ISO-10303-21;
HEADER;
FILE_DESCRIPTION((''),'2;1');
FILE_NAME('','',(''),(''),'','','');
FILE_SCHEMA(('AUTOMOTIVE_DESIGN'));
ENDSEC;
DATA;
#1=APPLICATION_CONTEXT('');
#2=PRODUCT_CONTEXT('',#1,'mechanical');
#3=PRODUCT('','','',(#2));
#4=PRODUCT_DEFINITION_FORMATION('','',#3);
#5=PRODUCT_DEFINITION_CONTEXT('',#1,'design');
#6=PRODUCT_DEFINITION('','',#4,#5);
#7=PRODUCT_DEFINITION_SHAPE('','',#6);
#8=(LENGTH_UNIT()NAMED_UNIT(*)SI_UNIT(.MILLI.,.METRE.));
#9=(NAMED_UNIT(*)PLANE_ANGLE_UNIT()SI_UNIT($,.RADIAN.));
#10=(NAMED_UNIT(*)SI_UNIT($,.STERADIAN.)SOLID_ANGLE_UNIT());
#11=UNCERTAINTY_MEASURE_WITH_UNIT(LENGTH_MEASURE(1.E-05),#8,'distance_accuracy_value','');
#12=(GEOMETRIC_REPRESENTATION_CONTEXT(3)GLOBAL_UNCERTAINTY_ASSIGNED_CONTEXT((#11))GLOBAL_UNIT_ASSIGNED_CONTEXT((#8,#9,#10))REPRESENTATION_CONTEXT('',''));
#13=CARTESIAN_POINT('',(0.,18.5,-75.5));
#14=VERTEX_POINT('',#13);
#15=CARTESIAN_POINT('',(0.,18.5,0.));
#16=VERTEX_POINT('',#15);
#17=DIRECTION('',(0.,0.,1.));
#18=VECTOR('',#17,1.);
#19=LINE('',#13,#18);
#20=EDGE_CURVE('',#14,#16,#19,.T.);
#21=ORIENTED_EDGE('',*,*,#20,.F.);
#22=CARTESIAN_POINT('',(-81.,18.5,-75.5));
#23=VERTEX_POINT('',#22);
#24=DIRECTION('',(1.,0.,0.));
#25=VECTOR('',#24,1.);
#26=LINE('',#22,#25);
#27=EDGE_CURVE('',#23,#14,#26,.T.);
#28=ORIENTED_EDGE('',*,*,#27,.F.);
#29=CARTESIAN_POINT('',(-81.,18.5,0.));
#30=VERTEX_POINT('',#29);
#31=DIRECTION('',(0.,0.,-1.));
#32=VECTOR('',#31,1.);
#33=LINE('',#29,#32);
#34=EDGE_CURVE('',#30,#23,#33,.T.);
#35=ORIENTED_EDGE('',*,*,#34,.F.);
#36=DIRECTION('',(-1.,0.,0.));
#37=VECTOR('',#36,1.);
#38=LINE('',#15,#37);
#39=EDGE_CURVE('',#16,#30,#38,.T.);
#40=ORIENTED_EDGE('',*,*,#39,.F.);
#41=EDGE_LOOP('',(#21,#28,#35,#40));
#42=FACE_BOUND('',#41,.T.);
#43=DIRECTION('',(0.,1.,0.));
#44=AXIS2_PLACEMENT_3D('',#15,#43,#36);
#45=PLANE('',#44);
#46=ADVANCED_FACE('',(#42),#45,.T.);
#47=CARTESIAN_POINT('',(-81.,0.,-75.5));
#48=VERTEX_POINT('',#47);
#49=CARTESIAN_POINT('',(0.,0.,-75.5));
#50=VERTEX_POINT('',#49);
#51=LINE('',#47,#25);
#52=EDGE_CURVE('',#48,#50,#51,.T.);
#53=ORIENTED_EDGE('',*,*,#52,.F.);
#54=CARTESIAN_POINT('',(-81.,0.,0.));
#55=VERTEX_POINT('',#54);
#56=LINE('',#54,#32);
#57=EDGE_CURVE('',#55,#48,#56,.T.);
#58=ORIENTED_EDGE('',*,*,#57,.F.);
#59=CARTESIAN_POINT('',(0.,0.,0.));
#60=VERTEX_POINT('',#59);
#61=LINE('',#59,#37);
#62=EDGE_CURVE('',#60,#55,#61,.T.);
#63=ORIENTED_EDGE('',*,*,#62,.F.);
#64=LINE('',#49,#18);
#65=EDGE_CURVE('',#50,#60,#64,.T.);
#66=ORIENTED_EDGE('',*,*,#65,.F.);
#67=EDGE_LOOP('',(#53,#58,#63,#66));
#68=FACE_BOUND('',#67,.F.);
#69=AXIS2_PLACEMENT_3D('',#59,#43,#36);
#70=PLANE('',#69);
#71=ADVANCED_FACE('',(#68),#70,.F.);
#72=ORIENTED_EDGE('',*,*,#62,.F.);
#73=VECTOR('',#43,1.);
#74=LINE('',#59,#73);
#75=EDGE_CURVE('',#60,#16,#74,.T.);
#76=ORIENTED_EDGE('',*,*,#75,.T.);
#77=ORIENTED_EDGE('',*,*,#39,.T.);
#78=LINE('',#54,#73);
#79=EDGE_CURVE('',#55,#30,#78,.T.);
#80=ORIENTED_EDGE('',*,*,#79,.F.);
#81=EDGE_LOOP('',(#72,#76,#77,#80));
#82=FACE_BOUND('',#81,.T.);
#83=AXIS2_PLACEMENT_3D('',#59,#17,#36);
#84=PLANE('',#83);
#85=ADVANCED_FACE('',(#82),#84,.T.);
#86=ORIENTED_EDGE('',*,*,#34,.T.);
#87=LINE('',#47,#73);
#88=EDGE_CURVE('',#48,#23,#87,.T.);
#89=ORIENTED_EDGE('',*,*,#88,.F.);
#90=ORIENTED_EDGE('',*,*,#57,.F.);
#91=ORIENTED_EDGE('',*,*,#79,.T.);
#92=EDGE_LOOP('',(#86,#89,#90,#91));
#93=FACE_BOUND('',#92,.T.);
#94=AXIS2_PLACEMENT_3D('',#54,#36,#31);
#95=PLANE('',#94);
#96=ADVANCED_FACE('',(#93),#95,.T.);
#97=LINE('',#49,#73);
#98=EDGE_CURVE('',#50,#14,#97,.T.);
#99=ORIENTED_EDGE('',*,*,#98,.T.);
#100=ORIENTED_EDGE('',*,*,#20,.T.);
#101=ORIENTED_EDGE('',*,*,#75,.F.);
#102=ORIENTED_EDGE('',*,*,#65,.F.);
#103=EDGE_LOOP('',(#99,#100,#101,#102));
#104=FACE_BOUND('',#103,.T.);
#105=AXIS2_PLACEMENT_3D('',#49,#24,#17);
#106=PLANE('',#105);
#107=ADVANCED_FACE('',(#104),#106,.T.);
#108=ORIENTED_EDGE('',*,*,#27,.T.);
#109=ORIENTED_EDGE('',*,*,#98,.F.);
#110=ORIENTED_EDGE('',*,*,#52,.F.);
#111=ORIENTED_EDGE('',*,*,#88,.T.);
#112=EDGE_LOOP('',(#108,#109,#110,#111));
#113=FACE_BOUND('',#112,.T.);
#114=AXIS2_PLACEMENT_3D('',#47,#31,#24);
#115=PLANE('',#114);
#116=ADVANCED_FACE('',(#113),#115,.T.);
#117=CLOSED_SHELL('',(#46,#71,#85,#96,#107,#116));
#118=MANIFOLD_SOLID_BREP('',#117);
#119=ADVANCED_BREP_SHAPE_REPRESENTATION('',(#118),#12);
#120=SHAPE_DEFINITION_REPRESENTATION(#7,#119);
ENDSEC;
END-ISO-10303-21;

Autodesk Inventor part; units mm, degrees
ref_plane "YZ Plane" through (0, 0, 0) normal (1, 0, 0) x (0, 1, 0)
ref_plane "XZ Plane" through (0, 0, 0) normal (0, 1, 0) x (-1, 0, 0)
ref_plane "XY Plane" through (0, 0, 0) normal (0, 0, 1) x (1, 0, 0)
sketch "草圖1" plane through (0, 0, 0) normal (0, 1, 0) x (-1, 0, 0)
  line L0 (0, 0) -> (81, 0)
  line L1 (81, 0) -> (81, -75.5)
  line L2 (81, -75.5) -> (0, -75.5)
  line L3 (0, -75.5) -> (0, 0)
  dimension "d0" = 81
  dimension "d1" = 75.5
extrude "擠出1" add sketch "草圖1" along normal blind 18.5
properties part number "電池盒"
